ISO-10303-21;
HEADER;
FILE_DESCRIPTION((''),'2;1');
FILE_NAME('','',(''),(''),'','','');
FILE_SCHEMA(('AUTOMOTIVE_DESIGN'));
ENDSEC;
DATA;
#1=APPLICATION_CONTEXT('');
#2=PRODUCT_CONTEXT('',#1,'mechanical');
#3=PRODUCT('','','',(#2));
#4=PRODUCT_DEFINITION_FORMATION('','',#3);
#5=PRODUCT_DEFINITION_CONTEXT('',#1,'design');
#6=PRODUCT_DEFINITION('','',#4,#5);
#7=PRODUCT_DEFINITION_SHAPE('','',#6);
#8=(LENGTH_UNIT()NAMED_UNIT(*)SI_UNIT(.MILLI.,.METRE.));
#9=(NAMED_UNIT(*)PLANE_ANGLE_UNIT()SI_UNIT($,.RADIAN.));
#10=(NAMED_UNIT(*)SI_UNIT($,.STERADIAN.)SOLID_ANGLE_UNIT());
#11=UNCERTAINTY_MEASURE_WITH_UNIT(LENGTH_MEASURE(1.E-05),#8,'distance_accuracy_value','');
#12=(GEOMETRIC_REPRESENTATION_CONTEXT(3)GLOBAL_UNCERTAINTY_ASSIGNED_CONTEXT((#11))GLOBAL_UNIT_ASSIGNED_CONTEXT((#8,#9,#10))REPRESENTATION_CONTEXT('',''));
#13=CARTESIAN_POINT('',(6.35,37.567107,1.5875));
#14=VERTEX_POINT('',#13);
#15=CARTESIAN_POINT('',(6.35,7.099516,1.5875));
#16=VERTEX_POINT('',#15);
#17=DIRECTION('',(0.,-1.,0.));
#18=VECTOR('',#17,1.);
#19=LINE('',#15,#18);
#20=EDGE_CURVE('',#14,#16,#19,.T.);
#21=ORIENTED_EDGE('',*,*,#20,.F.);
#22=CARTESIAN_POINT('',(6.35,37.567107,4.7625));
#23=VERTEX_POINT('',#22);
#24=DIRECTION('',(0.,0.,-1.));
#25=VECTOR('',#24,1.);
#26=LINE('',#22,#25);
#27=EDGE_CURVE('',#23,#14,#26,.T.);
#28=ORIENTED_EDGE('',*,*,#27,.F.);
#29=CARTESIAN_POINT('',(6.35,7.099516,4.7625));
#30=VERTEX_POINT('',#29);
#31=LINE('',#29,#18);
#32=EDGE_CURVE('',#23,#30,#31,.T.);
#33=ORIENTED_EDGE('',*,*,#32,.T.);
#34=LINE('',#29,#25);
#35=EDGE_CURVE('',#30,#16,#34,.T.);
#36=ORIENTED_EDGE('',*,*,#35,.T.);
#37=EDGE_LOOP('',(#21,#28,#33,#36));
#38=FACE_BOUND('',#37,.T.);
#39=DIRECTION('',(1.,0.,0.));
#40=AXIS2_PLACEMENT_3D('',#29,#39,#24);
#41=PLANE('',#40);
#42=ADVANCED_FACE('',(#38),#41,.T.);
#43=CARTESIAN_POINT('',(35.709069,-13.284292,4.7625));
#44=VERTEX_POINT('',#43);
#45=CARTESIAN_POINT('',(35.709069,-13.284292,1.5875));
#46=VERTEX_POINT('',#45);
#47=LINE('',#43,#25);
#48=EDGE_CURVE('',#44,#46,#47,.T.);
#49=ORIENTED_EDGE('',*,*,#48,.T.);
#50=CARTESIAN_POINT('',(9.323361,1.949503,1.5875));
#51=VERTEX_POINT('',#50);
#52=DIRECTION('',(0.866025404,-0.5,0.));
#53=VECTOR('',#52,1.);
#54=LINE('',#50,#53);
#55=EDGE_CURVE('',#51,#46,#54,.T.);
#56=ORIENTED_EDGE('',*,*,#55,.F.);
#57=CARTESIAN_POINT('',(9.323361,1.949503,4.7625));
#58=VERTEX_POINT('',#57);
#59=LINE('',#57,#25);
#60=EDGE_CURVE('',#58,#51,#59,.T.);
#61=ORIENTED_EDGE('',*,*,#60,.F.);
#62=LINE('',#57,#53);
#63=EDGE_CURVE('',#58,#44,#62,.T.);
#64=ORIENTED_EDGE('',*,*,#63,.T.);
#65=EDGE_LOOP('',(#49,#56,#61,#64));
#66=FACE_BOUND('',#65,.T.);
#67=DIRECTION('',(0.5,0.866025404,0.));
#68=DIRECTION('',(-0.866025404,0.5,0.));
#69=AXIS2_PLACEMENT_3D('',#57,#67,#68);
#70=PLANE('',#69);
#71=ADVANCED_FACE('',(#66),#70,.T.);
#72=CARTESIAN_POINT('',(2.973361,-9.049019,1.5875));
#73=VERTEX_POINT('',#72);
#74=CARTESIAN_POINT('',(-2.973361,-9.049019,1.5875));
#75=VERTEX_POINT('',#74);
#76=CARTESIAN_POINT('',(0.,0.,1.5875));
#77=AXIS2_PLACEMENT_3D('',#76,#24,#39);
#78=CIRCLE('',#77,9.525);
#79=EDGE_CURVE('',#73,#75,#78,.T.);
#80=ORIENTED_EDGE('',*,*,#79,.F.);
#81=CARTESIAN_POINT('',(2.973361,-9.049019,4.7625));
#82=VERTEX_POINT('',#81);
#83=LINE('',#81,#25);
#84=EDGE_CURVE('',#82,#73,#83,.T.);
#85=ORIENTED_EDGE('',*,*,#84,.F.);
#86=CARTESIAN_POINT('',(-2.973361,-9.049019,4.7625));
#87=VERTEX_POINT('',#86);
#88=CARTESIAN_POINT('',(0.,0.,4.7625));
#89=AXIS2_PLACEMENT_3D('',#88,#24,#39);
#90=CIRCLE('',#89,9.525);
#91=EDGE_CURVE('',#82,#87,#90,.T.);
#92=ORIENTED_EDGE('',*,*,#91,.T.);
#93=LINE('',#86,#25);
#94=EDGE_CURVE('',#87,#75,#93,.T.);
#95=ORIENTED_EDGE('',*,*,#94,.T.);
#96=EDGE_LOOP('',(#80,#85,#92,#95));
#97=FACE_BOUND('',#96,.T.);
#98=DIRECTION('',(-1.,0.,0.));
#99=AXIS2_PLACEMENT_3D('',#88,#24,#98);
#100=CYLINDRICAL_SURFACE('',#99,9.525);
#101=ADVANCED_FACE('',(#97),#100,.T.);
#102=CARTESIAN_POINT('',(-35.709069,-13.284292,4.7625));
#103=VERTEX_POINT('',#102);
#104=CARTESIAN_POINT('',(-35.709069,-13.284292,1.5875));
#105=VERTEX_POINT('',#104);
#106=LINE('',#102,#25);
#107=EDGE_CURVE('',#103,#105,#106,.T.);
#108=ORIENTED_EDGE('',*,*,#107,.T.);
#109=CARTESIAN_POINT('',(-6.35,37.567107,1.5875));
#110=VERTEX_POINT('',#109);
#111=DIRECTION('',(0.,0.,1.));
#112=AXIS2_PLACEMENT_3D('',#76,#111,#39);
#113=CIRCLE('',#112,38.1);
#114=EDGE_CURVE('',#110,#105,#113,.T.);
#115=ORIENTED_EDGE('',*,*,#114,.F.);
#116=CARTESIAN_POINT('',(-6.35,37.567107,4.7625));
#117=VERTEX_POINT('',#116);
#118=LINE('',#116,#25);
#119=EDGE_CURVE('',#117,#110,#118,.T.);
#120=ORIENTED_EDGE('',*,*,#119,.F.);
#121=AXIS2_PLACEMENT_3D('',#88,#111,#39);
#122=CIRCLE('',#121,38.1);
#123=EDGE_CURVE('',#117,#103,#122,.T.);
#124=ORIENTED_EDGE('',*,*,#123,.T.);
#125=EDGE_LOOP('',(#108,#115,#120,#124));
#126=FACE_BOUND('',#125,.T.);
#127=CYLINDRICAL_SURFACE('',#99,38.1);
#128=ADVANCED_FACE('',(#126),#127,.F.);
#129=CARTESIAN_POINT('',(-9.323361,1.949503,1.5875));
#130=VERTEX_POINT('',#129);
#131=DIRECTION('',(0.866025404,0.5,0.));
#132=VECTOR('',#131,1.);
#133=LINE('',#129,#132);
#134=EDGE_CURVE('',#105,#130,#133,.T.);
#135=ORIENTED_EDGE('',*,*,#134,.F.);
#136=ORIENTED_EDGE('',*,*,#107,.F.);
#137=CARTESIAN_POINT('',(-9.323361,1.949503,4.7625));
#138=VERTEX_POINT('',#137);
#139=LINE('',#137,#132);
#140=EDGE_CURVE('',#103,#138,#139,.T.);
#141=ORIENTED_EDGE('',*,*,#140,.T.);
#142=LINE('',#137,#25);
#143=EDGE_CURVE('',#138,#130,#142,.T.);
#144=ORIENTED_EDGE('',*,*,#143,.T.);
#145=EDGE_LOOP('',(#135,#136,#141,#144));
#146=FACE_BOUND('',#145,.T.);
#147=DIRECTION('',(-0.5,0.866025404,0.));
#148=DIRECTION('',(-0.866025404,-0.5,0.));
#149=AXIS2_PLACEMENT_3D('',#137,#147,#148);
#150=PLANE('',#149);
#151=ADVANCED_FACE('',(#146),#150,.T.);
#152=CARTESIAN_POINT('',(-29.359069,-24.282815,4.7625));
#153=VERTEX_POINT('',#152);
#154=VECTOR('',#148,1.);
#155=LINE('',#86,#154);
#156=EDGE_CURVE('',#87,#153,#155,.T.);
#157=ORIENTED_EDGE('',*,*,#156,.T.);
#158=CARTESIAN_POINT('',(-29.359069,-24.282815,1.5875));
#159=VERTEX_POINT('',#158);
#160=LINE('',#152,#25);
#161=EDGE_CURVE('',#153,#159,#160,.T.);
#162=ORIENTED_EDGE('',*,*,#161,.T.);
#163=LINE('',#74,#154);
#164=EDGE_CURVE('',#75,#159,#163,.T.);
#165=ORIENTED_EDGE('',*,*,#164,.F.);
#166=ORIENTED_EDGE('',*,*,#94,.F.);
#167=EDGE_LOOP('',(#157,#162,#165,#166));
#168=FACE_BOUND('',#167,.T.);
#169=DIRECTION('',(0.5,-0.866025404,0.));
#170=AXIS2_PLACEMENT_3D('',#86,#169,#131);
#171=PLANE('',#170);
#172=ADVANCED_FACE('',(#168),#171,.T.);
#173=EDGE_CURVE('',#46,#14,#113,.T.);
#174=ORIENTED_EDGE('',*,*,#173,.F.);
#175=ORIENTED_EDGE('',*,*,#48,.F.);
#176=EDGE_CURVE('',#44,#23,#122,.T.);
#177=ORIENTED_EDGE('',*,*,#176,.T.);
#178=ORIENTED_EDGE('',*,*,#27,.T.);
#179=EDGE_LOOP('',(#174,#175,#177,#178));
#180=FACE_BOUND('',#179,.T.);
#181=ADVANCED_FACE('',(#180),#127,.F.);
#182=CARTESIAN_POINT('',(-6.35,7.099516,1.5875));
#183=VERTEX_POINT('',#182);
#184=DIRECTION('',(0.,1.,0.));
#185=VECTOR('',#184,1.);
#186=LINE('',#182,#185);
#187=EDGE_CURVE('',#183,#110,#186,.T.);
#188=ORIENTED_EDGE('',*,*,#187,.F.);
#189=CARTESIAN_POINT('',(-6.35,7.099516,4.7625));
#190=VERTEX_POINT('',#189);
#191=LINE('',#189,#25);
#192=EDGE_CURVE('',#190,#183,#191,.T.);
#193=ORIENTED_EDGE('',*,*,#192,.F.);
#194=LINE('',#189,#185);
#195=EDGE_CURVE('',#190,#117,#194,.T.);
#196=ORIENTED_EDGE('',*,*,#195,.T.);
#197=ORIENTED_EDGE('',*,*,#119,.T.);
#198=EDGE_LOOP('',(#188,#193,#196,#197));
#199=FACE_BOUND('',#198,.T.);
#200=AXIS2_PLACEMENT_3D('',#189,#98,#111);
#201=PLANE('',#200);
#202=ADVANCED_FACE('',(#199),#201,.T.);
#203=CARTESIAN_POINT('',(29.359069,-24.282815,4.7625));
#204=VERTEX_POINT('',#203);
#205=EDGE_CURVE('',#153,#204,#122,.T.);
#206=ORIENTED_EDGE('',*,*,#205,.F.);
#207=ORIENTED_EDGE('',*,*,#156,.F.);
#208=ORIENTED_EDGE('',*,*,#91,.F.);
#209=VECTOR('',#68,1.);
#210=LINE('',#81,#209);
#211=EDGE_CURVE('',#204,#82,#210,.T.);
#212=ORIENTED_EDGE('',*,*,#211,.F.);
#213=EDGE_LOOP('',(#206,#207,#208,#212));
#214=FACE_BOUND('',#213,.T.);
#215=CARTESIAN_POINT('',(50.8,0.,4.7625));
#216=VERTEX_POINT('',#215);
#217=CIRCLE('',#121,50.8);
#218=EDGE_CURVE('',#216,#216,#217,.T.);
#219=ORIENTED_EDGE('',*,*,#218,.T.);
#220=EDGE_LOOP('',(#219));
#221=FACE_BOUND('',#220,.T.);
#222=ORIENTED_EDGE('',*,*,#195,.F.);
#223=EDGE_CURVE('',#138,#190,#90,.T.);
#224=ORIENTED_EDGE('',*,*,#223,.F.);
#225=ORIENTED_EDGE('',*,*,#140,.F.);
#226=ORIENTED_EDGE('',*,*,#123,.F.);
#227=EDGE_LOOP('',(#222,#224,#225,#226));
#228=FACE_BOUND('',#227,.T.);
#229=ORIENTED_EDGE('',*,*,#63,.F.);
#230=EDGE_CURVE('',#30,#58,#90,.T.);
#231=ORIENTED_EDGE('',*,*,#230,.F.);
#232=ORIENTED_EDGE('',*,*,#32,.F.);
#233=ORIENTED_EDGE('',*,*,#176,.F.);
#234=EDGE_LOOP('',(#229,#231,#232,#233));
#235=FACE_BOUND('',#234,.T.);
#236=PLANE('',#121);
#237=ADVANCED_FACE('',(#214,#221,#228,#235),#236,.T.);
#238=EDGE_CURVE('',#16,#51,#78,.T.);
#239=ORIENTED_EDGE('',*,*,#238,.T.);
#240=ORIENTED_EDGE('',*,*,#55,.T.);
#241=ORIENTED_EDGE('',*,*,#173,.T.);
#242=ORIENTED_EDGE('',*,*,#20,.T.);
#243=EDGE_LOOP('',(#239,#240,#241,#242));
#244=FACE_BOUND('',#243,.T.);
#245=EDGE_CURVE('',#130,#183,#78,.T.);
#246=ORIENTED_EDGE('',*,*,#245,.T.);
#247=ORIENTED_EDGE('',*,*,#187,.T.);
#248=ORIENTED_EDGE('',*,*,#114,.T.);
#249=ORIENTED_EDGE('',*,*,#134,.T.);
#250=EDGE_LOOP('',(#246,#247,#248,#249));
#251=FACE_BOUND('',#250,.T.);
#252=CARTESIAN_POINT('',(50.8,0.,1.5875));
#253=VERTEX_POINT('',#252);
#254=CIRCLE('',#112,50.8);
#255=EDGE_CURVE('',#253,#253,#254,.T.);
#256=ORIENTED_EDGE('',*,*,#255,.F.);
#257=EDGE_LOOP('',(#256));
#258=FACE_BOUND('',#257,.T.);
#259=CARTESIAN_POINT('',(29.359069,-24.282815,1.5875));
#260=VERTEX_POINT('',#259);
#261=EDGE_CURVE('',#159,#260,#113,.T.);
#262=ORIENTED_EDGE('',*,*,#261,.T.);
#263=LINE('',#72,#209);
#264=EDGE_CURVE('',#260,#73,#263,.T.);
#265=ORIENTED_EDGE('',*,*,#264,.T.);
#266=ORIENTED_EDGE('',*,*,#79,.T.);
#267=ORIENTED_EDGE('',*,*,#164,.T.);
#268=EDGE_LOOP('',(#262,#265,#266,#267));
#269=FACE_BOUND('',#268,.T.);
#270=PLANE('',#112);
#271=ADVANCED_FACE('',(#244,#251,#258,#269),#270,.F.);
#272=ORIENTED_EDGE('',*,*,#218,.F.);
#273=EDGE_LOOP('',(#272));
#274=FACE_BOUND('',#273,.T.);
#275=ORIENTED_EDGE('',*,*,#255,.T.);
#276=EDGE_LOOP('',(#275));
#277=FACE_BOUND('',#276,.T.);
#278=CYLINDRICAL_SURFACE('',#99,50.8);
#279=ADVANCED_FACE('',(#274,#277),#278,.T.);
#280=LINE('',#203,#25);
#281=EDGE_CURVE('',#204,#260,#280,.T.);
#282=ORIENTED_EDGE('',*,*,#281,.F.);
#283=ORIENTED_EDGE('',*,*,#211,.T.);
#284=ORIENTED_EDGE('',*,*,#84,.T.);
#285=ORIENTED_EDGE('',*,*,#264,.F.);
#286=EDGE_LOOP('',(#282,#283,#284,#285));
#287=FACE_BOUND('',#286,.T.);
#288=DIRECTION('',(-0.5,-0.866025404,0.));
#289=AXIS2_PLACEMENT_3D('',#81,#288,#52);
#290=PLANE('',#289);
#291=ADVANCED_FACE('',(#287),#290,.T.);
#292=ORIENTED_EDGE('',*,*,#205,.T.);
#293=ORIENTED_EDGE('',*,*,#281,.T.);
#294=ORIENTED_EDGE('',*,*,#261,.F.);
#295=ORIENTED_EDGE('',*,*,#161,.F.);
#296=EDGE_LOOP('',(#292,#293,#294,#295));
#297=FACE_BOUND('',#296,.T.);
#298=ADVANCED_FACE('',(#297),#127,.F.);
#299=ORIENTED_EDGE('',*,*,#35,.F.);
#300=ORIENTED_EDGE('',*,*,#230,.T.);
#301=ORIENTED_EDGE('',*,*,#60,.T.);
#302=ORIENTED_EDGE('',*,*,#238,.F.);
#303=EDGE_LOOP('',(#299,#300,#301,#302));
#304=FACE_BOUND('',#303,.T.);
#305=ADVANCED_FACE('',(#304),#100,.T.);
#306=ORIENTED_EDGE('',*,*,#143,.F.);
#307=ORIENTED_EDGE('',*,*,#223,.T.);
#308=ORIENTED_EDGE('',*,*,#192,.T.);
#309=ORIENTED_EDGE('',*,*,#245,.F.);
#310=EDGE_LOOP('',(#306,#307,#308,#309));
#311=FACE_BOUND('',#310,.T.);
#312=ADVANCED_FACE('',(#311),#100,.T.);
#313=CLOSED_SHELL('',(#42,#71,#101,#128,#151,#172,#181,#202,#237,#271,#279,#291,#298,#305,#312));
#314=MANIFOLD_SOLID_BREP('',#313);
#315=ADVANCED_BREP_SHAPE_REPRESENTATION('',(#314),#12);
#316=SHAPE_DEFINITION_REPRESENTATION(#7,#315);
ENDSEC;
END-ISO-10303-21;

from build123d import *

# Parameters (mm, degrees)
SKETCH1_R           = 101.6
BOSS_EXTRUDE1_DEPTH = 6.35
SCALE1_SCALE        = 0.5


with BuildPart() as part:
    # Sketch1 → Boss-Extrude1 (new body)
    with BuildSketch(Plane.XY):
        Circle(SKETCH1_R)
        with BuildLine():
            Line((-12.7, 14.199031657), (-12.7, 75.134213245))
            ThreePointArc((-12.7, 75.134213245), (-65.991135768, 38.1), (-71.418137364, -26.568583995))
            Line((-71.418137364, -26.568583995), (-18.646722124, 3.8990068))
            ThreePointArc((-18.646722124, 3.8990068), (-16.497783942, 9.525), (-12.7, 14.199031657))
        make_face(mode=Mode.SUBTRACT)
        with BuildLine():
            Line((12.7, 14.199031657), (12.7, 75.134213245))
            ThreePointArc((12.7, 75.134213245), (65.991135768, 38.1), (71.418137364, -26.568583995))
            Line((71.418137364, -26.568583995), (18.646722124, 3.8990068))
            ThreePointArc((18.646722124, 3.8990068), (16.497783942, 9.525), (12.7, 14.199031657))
        make_face(mode=Mode.SUBTRACT)
        with BuildLine():
            Line((5.946722124, -18.098038457), (58.718137364, -48.565629251))
            ThreePointArc((58.718137364, -48.565629251), (0, -76.2), (-58.718137364, -48.565629251))
            Line((-58.718137364, -48.565629251), (-5.946722124, -18.098038457))
            ThreePointArc((-5.946722124, -18.098038457), (0, -19.05), (5.946722124, -18.098038457))
        make_face(mode=Mode.SUBTRACT)
    extrude(amount=BOSS_EXTRUDE1_DEPTH)


with BuildPart() as part_1:
    # Scale1: scaled about (0, 0, 3.175)
    add(part.part.scale(SCALE1_SCALE).moved(Location((0, 0, 1.5875))))


solid = part_1.part
